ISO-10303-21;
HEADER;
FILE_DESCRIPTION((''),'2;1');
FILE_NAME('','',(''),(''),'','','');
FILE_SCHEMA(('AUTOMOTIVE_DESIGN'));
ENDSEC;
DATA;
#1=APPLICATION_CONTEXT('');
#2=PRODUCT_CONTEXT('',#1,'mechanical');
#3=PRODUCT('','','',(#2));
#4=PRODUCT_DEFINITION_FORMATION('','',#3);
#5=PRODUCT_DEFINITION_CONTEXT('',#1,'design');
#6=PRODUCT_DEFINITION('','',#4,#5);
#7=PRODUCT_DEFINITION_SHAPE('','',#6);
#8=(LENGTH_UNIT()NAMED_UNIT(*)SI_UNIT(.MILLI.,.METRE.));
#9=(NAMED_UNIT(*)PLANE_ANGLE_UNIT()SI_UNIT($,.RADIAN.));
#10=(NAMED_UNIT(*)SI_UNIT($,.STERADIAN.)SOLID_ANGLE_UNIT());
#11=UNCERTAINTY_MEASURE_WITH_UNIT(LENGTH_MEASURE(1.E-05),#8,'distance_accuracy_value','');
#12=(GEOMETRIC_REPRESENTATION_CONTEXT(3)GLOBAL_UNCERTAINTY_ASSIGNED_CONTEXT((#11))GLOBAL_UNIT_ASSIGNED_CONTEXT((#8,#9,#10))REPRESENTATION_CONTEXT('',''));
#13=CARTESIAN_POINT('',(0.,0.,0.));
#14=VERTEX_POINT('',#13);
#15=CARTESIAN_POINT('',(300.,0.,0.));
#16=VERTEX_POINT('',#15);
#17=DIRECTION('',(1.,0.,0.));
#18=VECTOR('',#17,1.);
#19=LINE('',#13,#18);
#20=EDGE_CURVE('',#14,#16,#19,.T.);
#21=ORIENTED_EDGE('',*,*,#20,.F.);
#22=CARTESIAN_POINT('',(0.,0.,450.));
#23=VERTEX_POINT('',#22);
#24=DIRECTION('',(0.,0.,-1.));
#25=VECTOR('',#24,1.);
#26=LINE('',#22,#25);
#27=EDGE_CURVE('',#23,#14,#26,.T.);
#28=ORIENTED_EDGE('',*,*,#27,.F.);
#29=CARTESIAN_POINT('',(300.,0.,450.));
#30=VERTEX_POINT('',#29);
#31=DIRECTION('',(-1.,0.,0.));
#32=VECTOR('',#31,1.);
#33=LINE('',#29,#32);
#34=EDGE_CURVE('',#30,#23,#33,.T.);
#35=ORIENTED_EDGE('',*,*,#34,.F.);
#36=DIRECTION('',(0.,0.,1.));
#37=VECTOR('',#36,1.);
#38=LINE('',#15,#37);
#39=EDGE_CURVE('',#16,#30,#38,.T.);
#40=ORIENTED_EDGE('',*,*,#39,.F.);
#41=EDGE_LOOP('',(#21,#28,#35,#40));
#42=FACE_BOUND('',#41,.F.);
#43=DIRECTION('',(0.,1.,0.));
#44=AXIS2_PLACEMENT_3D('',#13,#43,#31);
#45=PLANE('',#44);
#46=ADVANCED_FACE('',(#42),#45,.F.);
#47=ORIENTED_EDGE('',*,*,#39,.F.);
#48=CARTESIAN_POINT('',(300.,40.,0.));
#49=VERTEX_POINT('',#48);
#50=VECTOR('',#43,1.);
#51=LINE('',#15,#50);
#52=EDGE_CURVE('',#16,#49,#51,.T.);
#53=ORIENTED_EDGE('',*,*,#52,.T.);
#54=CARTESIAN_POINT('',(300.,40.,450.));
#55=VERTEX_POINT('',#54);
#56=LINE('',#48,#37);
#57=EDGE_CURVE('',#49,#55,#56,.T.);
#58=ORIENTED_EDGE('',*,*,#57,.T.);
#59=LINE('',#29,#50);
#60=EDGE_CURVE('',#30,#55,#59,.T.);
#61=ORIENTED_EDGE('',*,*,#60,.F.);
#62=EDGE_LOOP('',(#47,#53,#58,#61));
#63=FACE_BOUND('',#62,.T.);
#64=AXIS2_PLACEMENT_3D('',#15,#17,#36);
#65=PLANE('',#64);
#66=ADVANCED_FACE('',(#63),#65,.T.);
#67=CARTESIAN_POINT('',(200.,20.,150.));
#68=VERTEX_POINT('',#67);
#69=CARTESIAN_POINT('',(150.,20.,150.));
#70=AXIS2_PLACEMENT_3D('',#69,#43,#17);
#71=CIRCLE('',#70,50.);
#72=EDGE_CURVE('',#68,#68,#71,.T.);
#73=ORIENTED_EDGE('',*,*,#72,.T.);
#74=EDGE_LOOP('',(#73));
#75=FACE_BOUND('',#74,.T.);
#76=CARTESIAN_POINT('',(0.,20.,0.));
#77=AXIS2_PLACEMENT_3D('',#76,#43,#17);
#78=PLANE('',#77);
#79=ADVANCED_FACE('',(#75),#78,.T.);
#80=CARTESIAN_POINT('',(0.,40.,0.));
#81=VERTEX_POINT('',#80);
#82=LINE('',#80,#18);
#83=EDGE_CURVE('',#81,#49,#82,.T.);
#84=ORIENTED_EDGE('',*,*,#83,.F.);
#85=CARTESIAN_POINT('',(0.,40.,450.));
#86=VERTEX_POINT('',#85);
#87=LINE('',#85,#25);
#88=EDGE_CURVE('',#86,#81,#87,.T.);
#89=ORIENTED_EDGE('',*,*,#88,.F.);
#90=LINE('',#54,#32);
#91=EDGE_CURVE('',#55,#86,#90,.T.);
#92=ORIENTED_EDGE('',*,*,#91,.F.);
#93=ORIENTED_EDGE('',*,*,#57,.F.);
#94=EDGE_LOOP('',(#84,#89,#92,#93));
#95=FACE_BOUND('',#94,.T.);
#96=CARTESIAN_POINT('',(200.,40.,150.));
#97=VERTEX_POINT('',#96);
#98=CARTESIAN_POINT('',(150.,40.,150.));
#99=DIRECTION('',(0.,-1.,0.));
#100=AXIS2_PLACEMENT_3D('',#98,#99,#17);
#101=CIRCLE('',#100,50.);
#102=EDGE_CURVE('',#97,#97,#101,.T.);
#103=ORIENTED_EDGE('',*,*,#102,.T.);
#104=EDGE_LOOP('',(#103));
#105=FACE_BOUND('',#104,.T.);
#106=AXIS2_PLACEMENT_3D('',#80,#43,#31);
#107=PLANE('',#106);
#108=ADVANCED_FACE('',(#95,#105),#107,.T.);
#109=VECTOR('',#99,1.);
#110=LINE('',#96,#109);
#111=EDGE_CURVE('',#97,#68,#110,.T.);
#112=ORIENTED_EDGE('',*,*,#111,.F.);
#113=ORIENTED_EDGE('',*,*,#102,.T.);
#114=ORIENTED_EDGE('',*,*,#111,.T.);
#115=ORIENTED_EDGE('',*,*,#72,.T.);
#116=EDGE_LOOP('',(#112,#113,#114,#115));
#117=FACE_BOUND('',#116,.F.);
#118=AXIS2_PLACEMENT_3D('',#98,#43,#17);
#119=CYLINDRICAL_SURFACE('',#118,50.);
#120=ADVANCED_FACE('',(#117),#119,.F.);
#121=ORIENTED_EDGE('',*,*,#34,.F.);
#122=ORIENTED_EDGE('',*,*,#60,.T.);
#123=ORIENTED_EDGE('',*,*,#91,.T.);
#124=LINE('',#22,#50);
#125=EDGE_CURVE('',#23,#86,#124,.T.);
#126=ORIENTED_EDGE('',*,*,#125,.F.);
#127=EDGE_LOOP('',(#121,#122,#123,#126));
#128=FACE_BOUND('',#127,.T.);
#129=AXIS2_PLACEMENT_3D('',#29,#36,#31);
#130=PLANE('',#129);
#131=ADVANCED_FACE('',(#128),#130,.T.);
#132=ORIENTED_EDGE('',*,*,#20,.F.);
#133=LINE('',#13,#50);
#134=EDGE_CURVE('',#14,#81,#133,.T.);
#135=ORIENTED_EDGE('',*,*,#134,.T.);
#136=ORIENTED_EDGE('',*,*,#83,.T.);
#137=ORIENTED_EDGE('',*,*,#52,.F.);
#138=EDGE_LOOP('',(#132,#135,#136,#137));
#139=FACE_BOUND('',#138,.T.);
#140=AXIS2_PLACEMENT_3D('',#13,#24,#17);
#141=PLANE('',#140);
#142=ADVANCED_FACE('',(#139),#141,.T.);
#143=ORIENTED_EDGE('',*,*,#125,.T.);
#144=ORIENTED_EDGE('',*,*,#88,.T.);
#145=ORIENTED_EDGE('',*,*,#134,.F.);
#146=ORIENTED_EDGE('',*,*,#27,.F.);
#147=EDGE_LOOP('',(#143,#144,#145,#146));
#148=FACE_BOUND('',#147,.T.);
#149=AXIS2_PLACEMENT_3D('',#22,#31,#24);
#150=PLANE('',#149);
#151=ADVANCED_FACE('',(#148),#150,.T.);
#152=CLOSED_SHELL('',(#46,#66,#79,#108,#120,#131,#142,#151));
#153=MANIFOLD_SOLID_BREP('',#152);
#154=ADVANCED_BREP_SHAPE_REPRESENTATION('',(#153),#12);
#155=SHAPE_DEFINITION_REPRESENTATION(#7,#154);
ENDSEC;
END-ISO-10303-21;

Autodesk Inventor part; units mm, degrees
ref_plane "YZ Plane" through (0, 0, 0) normal (1, 0, 0) x (0, 1, 0)
ref_plane "XZ Plane" through (0, 0, 0) normal (0, 1, 0) x (-1, 0, 0)
ref_plane "XY Plane" through (0, 0, 0) normal (0, 0, 1) x (1, 0, 0)
sketch "Sketch1" plane through (0, 0, 0) normal (0, 1, 0) x (-1, 0, 0)
  line L0 (0, 0) -> (-300, 0)
  line L1 (-300, 0) -> (-300, 450)
  line L2 (-300, 450) -> (0, 450)
  line L3 (0, 450) -> (0, 0)
  dimension "d0" = 300
  dimension "d1" = 450
extrude "Extrusion1" add sketch "Sketch1" along normal blind 40
sketch "Sketch2" plane through (0, 40, 0) normal (0, 1, 0) x (1, 0, 0)
  line L0 (0, 0) -> (0, -450) projected
  line L1 (0, 0) -> (150, 0)
  line L2 (150, 0) -> (150, -150)
  line L3 (150, -150) -> (0, -150)
  line L4 (0, -150) -> (0, 0)
  circle A0 centre (150, -150) radius 50
  dimension "d4" = 150
  dimension "d5" = 150
  dimension "d6" = 100
extrude "Extrusion2" cut sketch "Sketch2" against normal blind 20 contours A0 L2 L3 | L3 L2 A0
properties part number "expo8"
